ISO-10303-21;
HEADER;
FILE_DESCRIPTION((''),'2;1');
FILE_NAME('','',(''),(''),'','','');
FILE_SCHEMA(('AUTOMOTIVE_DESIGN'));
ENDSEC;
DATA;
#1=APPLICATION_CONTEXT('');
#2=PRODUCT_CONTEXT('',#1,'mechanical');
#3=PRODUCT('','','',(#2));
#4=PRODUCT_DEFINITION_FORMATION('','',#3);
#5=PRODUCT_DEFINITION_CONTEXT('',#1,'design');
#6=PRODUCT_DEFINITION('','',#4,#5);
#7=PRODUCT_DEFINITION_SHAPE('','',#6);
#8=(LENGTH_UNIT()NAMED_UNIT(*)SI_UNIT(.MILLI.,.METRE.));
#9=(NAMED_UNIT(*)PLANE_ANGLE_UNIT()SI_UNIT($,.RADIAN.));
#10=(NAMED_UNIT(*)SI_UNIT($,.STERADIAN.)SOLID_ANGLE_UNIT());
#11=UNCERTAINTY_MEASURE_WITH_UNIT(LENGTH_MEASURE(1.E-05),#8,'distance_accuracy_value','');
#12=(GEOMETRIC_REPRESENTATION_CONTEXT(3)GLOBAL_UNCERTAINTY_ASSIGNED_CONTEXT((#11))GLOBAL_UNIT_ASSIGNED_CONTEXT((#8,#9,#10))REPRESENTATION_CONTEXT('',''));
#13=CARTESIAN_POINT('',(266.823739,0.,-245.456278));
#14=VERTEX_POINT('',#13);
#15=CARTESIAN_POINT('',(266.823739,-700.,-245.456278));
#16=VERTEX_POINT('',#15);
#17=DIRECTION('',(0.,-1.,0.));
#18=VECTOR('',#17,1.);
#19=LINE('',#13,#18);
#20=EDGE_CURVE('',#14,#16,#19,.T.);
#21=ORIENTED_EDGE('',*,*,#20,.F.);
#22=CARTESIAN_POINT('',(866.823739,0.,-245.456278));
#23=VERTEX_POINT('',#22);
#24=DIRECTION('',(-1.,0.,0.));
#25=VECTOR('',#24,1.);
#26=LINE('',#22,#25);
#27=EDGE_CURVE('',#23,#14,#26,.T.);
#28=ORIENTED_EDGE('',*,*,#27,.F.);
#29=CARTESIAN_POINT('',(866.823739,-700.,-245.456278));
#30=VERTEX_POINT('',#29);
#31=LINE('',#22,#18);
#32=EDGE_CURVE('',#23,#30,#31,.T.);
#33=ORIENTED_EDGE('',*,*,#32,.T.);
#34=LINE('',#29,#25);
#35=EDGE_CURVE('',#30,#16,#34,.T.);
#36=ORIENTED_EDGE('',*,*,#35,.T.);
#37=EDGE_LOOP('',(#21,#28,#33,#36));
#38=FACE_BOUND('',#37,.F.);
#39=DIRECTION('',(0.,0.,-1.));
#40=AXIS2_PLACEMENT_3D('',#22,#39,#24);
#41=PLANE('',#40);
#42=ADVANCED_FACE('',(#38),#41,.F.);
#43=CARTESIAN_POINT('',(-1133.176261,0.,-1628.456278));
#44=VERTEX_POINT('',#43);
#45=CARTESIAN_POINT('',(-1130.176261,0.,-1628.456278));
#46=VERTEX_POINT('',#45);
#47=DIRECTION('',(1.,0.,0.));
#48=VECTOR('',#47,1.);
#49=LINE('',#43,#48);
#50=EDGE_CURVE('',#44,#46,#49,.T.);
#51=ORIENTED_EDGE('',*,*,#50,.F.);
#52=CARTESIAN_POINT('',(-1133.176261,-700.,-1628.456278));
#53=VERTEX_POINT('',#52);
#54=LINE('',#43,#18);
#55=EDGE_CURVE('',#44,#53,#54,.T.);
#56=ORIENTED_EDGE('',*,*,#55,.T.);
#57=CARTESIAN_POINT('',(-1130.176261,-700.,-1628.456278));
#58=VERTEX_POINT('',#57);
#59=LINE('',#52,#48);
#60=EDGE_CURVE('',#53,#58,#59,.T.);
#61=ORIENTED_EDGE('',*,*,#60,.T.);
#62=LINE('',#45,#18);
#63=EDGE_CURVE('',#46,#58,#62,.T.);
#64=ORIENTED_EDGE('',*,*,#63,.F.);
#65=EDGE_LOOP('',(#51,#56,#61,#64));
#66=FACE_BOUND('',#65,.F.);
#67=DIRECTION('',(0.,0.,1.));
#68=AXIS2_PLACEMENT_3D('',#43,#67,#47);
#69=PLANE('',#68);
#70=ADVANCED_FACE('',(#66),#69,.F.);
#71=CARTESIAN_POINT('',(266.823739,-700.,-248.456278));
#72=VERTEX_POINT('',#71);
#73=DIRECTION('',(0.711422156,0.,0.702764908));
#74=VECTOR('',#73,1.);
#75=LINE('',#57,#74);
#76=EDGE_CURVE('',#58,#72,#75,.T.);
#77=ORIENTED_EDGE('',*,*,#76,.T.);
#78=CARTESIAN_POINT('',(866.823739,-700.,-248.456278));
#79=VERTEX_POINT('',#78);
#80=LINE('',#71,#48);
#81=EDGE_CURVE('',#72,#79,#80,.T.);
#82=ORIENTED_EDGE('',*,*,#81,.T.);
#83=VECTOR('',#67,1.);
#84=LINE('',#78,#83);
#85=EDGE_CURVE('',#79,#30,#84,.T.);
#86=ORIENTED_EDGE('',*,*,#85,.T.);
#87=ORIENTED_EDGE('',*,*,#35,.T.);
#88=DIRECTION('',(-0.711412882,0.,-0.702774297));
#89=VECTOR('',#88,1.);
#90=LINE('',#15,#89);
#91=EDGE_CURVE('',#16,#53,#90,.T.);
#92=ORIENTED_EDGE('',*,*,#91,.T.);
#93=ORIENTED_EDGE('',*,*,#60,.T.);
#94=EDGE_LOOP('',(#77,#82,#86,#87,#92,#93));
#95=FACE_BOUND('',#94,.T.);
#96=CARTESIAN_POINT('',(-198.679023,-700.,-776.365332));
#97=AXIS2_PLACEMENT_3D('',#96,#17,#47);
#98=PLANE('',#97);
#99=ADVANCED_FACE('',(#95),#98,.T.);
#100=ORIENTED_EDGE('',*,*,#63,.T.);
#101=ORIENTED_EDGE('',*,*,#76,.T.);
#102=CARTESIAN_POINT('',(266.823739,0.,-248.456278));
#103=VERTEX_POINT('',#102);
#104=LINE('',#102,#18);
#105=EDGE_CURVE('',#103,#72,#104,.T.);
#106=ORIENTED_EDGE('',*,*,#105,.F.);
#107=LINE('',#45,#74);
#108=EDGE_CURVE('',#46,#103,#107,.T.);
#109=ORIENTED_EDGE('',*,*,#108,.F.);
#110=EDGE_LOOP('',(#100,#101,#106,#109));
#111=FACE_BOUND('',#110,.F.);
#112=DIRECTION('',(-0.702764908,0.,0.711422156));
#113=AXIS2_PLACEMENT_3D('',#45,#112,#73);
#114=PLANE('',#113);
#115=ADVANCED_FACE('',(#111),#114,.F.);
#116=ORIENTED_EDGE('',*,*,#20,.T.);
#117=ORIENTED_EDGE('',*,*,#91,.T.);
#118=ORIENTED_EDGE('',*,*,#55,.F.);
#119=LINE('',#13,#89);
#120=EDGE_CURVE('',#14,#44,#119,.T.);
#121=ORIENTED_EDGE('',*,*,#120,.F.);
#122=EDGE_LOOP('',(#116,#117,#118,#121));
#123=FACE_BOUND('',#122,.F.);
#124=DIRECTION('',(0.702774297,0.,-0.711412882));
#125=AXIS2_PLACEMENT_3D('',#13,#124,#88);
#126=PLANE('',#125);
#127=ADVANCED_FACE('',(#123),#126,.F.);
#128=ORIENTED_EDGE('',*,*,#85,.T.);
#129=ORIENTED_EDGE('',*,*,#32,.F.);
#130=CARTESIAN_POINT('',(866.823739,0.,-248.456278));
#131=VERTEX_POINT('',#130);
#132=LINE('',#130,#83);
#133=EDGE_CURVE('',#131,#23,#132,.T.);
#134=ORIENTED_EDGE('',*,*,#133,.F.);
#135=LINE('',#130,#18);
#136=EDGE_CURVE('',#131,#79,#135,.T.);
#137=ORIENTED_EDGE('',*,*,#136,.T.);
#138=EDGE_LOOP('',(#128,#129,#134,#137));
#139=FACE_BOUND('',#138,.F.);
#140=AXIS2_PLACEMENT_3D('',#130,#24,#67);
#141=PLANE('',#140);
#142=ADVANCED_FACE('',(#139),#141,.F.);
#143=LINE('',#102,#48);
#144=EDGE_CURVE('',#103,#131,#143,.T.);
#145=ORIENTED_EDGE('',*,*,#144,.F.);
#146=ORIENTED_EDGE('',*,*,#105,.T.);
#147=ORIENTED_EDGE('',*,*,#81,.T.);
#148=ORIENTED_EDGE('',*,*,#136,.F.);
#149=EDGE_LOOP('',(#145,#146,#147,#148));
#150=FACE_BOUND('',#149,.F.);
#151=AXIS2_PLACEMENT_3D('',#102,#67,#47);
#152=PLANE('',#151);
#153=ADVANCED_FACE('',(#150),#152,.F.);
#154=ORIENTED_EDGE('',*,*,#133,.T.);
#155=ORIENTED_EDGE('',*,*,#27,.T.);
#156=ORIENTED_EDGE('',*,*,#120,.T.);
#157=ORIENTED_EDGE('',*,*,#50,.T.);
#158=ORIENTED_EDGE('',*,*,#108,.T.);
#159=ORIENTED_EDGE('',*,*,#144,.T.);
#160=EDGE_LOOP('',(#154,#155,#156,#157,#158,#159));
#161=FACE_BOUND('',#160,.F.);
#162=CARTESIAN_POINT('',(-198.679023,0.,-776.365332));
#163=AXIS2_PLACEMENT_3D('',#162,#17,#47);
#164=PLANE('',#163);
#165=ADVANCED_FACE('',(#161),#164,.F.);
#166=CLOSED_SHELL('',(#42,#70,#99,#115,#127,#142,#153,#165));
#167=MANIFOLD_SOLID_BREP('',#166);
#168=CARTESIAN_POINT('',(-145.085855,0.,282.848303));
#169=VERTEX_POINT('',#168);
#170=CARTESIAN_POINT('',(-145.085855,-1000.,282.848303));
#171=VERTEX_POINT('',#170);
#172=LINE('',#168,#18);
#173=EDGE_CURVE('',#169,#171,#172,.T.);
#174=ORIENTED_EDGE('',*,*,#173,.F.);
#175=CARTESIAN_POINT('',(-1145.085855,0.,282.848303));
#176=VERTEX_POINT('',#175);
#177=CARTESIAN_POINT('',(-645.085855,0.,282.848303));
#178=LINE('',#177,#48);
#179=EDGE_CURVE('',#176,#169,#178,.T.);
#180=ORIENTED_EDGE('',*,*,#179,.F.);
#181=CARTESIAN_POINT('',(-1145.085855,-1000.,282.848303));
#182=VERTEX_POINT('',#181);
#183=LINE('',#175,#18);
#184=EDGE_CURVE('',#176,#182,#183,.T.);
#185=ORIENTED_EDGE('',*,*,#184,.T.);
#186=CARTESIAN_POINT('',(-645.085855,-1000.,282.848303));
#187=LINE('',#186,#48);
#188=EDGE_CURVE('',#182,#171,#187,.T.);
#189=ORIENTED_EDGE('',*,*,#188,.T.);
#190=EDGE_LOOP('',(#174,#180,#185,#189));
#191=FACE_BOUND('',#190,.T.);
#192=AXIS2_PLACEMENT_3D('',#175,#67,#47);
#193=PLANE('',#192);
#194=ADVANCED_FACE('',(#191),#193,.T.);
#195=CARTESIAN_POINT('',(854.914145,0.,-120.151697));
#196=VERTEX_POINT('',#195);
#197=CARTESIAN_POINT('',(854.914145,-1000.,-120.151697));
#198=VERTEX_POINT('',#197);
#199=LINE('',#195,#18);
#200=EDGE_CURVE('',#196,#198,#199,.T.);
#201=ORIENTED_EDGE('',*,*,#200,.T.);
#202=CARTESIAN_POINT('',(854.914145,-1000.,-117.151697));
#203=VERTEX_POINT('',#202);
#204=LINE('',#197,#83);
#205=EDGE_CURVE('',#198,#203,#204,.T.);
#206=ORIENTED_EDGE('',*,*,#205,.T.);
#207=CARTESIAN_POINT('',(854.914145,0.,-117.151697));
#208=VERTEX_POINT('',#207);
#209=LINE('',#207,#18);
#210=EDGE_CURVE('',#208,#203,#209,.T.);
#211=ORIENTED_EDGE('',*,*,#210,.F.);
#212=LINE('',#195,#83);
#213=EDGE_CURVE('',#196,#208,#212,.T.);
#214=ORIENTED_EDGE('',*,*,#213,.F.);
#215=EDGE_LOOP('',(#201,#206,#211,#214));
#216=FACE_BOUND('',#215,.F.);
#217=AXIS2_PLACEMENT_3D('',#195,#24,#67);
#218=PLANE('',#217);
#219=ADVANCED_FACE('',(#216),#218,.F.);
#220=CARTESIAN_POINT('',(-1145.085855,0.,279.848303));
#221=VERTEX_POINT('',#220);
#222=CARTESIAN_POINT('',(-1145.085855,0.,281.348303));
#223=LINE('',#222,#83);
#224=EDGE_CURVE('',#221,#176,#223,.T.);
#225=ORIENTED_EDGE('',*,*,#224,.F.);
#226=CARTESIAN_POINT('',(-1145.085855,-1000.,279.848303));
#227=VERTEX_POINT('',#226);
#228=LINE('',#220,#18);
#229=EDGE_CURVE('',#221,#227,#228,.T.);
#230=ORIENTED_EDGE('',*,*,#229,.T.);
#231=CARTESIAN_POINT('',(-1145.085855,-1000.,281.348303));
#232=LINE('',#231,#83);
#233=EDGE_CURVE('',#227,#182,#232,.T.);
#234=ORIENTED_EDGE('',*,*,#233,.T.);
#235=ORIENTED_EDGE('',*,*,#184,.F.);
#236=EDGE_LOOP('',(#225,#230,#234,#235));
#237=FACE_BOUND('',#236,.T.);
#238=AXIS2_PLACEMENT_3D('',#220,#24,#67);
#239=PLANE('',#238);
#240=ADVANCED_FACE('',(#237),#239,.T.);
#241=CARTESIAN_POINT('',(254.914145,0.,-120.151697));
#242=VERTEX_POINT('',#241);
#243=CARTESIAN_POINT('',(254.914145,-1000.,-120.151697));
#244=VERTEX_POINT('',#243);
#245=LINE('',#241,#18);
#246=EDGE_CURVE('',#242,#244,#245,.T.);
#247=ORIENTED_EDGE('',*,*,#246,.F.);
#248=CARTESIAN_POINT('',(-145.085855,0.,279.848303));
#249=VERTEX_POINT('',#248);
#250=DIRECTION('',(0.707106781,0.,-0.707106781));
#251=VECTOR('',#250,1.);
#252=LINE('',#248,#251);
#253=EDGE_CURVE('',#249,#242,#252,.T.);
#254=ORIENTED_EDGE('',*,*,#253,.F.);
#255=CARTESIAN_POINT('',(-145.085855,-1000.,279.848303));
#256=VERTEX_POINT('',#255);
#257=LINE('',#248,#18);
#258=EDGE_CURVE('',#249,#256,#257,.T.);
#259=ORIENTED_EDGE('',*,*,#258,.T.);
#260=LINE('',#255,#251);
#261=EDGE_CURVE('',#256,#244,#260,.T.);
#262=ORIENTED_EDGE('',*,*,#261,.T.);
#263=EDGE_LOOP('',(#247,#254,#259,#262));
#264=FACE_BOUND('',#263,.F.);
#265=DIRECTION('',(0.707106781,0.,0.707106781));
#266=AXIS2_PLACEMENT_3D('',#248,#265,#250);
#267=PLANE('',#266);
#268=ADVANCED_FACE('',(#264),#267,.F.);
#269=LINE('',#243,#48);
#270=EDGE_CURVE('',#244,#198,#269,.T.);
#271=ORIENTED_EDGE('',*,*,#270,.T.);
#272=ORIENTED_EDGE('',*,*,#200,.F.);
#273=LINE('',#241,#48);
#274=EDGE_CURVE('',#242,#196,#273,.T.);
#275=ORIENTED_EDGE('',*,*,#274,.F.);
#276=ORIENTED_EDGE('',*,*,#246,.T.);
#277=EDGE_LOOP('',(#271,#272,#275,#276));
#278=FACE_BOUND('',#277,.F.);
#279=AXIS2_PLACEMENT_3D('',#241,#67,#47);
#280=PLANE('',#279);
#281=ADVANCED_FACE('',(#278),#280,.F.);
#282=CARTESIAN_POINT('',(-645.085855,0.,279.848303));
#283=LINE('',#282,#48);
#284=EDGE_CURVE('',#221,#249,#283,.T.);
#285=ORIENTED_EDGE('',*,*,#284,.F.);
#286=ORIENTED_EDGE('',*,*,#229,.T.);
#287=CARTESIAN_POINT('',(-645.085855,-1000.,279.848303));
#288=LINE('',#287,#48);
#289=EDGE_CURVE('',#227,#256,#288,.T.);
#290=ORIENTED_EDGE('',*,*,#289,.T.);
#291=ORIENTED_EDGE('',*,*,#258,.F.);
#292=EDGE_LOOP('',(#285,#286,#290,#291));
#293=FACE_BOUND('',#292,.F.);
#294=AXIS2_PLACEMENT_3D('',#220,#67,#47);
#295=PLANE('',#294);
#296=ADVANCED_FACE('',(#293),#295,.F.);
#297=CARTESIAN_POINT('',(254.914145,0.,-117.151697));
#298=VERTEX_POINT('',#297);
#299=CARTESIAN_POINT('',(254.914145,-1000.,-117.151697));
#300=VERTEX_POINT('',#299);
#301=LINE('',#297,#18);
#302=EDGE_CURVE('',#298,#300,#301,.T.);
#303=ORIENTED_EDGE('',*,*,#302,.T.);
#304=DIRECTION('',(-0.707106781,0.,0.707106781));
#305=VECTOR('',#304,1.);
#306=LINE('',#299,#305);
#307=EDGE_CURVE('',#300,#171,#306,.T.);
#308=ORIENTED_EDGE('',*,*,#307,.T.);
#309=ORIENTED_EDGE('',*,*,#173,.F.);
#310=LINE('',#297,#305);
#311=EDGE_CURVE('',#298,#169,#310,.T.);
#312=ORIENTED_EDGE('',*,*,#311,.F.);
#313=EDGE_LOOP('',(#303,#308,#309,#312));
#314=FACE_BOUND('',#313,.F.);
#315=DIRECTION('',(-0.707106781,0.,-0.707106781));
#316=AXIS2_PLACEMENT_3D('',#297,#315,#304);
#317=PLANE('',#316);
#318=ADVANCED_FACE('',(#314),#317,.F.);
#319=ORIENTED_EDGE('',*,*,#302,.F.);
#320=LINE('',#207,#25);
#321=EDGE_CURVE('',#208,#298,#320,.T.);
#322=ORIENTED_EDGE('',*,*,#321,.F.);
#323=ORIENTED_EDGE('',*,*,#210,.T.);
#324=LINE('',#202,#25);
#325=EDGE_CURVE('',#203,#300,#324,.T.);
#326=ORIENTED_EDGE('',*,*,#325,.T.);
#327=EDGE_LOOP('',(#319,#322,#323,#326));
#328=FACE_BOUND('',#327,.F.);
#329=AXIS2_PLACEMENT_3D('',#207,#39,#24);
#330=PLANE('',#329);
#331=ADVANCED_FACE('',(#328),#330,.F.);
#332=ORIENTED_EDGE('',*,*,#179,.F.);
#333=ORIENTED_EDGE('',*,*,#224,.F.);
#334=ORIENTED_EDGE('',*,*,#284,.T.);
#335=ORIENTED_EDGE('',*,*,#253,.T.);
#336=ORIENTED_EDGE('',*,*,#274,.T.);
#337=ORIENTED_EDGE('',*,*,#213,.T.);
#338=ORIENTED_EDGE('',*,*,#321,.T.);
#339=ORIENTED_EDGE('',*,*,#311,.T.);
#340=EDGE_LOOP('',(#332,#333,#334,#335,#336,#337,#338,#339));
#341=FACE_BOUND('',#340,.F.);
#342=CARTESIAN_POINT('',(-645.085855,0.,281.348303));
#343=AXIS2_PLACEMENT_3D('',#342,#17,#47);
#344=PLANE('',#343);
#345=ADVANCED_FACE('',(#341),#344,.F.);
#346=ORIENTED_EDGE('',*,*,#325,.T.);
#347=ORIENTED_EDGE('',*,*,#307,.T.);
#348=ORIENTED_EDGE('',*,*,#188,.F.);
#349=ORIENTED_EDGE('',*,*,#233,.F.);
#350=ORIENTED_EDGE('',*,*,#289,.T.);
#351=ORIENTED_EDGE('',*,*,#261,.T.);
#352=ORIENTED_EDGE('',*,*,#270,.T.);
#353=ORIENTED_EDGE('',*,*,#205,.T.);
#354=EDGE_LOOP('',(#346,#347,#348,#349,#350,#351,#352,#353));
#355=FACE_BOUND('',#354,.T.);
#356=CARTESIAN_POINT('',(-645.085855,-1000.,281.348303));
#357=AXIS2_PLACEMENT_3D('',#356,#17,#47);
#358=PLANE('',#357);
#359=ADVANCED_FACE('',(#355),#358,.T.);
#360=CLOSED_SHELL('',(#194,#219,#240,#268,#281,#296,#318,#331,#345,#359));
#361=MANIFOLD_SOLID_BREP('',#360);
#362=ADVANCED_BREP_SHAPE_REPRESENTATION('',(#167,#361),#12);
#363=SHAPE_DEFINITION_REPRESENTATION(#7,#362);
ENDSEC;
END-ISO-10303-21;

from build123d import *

# Parameters (mm, degrees)
F0_W     = 1000
F0_H     = 3
F1_DEPTH = 1000
F3_DEPTH = 700


with BuildPart() as f1:
    # F0 (on Front) → F1 (new body)
    with BuildSketch(Plane.XZ):
        with Locations((-645.085855, 281.348303)):
            Rectangle(F0_W, F0_H)
        Polygon((254.914145, -117.151697), (-145.085855, 282.848303), (-145.085855, 279.848303), (254.914145, -120.151697), (854.914145, -120.151697), (854.914145, -117.151697), align=None)
    extrude(amount=F1_DEPTH)


with BuildPart() as f3:
    # F2 (on Front) → F3 (new body)
    with BuildSketch(Plane.XZ):
        Polygon((866.823739, -248.456278), (866.823739, -245.456278), (266.823739, -245.456278), (-1133.176261, -1628.456278), (-1130.176261, -1628.456278), (266.823739, -248.456278), align=None)
    extrude(amount=F3_DEPTH)


solid = Compound([f1.part, f3.part])
